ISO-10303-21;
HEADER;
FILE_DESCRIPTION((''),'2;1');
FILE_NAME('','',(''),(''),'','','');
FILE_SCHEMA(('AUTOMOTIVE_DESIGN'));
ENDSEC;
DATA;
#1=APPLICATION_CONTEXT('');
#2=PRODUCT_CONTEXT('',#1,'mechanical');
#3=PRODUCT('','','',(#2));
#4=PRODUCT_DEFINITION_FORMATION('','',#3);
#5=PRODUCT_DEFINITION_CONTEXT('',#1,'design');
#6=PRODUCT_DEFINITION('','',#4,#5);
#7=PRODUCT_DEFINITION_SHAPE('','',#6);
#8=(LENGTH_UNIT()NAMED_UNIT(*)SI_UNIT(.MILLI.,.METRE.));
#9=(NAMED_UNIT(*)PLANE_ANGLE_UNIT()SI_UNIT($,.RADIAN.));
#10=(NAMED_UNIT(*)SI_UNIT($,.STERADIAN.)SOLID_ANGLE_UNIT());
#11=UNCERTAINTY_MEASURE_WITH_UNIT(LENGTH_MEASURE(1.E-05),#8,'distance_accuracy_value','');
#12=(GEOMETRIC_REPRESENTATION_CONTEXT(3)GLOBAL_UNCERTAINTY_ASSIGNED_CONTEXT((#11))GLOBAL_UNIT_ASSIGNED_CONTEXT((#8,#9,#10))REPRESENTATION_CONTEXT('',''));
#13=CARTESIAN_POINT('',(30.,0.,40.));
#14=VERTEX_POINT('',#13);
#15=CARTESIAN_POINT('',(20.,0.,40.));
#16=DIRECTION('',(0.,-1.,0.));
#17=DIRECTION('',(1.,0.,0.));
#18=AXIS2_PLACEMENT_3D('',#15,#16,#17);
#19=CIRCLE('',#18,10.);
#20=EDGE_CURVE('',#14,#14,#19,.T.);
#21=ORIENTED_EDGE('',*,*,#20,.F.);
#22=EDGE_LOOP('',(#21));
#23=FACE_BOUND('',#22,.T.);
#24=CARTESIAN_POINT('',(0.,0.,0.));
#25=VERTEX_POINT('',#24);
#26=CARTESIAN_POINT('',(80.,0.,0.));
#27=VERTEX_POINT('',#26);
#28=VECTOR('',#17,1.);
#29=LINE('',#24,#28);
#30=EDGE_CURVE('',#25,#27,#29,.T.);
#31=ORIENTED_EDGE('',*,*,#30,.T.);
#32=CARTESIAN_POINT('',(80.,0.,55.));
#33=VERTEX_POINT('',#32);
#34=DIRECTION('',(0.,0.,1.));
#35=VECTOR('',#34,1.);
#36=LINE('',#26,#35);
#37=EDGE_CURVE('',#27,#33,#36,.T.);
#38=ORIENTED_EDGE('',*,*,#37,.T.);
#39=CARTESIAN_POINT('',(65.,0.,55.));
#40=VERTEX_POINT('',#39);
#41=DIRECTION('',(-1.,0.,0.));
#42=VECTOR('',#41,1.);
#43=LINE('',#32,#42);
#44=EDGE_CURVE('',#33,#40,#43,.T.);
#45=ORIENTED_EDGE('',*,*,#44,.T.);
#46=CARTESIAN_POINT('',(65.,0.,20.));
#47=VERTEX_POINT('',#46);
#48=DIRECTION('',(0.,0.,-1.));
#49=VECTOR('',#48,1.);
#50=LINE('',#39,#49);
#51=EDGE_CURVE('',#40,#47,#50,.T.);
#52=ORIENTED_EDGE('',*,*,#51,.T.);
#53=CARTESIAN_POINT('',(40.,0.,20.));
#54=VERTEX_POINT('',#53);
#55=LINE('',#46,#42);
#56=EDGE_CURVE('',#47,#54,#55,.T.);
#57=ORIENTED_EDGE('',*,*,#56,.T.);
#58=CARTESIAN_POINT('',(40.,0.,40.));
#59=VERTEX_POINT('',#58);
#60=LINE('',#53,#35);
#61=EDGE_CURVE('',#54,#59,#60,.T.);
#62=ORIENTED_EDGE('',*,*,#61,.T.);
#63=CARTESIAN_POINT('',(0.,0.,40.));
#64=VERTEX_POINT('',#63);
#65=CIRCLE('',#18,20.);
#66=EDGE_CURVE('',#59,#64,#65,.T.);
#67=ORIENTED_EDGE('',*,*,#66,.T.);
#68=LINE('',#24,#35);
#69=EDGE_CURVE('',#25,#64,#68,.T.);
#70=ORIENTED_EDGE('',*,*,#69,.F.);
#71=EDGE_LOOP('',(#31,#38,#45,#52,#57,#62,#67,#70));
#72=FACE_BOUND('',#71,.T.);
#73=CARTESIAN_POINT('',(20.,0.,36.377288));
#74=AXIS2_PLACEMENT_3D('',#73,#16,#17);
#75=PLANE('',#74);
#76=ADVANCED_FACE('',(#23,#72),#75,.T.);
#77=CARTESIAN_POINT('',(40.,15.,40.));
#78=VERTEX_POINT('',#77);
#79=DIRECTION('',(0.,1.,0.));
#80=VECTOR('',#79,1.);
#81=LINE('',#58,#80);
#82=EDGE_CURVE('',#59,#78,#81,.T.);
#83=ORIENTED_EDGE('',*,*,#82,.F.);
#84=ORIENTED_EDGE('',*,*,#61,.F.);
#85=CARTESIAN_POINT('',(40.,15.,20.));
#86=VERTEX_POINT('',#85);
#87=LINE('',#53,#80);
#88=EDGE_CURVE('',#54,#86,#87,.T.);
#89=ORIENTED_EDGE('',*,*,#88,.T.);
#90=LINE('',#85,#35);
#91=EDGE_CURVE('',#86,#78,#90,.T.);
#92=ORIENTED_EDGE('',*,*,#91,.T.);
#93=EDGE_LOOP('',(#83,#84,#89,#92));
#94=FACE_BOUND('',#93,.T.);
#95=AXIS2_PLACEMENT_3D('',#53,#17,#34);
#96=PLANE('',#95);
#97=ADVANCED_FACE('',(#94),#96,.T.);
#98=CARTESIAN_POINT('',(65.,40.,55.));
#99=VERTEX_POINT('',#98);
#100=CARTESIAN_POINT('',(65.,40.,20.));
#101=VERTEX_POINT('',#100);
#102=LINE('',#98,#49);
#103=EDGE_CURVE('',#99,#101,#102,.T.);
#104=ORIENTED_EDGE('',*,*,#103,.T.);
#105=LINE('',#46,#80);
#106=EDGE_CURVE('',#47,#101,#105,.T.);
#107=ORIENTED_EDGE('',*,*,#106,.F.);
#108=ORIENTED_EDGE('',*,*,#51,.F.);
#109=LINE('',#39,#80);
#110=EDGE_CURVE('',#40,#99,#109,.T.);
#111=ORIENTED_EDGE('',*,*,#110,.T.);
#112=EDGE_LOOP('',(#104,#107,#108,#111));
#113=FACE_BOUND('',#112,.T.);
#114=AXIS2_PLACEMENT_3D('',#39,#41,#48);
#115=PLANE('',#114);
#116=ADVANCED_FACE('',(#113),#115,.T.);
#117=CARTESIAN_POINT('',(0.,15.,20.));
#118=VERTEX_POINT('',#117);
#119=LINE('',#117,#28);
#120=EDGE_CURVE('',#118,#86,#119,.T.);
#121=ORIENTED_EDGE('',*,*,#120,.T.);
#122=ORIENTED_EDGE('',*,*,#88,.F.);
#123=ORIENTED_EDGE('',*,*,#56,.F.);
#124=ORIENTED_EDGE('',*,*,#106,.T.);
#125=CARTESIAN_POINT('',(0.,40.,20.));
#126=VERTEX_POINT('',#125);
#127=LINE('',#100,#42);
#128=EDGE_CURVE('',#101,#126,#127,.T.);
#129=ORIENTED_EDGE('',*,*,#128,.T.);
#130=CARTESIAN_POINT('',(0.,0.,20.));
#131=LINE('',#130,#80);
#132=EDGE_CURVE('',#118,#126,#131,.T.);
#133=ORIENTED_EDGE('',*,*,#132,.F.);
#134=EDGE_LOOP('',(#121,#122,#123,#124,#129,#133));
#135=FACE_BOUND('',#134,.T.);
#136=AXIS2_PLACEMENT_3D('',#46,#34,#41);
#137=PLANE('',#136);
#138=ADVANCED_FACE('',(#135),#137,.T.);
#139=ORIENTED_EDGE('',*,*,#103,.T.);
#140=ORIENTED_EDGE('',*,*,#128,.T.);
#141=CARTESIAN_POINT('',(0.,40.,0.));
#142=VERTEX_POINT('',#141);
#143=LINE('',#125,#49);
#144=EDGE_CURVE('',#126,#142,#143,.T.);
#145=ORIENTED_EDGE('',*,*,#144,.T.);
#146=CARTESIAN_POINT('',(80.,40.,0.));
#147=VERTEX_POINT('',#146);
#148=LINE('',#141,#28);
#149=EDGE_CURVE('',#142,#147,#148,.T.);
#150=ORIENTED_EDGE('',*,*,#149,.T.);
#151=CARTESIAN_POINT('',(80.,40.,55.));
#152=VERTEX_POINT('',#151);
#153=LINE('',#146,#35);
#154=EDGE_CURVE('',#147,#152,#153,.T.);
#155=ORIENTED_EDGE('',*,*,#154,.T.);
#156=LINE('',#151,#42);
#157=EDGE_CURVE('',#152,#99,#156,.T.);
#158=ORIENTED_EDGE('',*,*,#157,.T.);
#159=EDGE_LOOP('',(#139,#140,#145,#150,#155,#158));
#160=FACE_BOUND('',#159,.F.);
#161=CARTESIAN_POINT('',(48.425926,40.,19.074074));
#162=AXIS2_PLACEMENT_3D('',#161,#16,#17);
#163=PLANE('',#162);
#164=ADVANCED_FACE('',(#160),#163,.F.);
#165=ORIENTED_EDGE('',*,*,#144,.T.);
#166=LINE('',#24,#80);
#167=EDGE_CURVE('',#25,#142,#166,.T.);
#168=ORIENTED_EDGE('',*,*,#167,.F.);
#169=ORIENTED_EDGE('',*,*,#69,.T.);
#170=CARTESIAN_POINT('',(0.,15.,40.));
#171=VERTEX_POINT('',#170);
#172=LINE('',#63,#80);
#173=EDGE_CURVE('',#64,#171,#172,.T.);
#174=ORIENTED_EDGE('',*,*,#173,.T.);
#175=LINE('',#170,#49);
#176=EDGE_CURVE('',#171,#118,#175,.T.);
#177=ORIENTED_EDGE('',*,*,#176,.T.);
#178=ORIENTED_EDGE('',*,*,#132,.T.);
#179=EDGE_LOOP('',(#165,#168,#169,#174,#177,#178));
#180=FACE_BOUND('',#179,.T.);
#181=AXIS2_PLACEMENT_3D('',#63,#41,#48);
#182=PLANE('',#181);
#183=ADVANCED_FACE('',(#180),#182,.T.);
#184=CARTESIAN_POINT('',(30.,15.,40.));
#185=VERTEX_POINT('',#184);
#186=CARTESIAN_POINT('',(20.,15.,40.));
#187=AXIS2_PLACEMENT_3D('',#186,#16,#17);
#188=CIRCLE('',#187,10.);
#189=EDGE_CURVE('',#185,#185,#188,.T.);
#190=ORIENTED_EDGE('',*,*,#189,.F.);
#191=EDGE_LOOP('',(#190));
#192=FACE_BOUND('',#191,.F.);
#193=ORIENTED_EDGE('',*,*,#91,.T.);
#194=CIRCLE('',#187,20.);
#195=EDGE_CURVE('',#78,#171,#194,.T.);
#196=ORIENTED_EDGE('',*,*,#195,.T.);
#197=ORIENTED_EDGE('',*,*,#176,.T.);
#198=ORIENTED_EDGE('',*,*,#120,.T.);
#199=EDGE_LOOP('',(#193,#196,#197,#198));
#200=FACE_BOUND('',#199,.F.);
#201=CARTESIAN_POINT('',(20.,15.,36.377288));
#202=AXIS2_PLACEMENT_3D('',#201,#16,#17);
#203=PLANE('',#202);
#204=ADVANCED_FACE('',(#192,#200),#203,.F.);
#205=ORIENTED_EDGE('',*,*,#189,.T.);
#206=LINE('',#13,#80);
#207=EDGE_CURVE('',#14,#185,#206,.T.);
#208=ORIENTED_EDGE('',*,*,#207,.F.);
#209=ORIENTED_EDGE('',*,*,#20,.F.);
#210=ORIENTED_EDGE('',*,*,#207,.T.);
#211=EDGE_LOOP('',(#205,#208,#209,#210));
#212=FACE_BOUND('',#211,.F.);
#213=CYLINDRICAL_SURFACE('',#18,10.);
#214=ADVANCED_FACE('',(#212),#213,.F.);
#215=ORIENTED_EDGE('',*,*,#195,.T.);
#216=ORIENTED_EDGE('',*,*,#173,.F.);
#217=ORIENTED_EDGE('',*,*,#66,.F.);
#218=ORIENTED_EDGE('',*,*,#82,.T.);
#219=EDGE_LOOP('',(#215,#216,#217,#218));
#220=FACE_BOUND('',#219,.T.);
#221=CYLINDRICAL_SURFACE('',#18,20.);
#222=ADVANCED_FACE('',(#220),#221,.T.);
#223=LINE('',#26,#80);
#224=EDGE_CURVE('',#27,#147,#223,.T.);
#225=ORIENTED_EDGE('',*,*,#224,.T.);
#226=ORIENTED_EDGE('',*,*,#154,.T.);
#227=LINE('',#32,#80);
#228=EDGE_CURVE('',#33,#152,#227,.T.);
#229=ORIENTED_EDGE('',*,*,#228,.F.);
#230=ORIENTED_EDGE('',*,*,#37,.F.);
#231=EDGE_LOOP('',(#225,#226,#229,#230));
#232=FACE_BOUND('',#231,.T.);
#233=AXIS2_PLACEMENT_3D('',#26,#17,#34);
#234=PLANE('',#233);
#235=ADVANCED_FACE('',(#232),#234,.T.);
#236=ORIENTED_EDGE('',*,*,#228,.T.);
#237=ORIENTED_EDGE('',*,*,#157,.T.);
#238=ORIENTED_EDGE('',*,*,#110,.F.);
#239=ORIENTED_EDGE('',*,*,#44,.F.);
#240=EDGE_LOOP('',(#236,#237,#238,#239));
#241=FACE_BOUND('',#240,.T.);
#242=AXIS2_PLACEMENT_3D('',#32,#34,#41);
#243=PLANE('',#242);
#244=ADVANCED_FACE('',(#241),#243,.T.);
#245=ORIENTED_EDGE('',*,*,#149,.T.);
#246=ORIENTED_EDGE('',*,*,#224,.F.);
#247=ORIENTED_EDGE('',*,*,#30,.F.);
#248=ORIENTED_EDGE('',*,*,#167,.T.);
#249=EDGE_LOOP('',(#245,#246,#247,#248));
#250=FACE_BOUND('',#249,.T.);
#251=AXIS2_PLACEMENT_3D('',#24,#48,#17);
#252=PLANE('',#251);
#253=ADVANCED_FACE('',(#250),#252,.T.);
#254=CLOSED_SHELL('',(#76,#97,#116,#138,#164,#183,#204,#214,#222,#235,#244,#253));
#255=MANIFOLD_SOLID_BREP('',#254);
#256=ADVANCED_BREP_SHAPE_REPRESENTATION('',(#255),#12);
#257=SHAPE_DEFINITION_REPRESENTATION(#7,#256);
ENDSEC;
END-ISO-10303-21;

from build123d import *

# Parameters (mm, degrees)
F1_DEPTH = 40
F0_R     = 10
F2_DEPTH = 15


with BuildPart() as f1:
    # F0 (on Front) → F1 (new body)
    with BuildSketch(Plane.XZ):
        Polygon((0, 20), (0, 0), (80, 0), (80, 55), (65, 55), (65, 20), (40, 20), align=None)
    extrude(amount=-F1_DEPTH)

    # F0 (on Front) → F2 (join)
    with BuildSketch(Plane.XZ):
        with BuildLine():
            Line((0, 40), (0, 20))
            Line((0, 20), (40, 20))
            Line((40, 20), (40, 40))
            ThreePointArc((40, 40), (20, 60), (0, 40))
        make_face()
        with Locations((20, 40)):
            Circle(F0_R, mode=Mode.SUBTRACT)
    extrude(amount=-F2_DEPTH)


solid = f1.part
